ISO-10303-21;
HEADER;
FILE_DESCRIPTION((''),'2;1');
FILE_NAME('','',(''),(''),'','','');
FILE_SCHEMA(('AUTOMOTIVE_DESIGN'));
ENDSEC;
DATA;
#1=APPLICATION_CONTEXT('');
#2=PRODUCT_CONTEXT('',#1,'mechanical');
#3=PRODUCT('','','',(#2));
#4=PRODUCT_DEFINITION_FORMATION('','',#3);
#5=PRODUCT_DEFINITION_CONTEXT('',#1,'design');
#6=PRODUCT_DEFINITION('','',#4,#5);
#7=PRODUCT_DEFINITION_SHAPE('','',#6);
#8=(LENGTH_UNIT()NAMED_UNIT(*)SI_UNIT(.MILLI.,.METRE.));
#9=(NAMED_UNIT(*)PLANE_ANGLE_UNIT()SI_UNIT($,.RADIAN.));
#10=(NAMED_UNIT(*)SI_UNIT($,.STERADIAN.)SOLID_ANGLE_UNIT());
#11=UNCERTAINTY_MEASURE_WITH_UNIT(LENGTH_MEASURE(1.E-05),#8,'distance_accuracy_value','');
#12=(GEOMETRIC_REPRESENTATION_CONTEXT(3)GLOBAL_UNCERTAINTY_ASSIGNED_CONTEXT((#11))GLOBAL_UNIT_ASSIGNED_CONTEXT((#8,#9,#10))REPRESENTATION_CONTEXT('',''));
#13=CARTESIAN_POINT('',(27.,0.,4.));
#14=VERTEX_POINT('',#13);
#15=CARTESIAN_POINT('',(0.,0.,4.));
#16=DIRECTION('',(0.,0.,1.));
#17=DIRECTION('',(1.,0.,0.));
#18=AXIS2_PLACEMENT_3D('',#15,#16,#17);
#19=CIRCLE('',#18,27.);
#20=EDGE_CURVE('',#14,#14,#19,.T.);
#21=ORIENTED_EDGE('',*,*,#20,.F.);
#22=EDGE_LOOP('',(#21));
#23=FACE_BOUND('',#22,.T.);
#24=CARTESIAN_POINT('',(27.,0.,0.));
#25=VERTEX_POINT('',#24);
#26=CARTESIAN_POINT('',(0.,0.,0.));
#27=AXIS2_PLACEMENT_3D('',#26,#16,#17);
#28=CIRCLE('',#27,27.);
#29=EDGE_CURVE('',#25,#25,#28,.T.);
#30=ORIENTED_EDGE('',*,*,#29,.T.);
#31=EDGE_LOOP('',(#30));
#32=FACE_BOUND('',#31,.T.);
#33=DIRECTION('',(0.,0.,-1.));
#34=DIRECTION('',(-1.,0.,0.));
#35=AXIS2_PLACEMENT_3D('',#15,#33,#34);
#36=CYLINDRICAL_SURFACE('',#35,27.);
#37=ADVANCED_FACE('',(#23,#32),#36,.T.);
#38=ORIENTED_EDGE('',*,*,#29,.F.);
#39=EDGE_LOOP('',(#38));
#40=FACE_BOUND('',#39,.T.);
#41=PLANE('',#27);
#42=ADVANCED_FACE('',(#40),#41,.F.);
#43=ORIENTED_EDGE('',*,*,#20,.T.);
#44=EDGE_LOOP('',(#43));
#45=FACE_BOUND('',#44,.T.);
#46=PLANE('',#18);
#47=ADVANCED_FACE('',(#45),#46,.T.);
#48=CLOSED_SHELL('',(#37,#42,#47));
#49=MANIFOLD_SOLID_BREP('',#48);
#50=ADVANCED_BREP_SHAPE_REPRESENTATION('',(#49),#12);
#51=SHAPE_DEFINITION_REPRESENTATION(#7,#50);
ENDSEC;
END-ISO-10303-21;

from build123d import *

# Parameters (mm, degrees)
SKETCH_1_R      = 27
YAW_TABLE_DEPTH = 4


with BuildPart() as part:
    # 草图1 → Yaw_Table (new body)
    with BuildSketch(Plane.XY):
        Circle(SKETCH_1_R)
    extrude(amount=YAW_TABLE_DEPTH)


solid = part.part
